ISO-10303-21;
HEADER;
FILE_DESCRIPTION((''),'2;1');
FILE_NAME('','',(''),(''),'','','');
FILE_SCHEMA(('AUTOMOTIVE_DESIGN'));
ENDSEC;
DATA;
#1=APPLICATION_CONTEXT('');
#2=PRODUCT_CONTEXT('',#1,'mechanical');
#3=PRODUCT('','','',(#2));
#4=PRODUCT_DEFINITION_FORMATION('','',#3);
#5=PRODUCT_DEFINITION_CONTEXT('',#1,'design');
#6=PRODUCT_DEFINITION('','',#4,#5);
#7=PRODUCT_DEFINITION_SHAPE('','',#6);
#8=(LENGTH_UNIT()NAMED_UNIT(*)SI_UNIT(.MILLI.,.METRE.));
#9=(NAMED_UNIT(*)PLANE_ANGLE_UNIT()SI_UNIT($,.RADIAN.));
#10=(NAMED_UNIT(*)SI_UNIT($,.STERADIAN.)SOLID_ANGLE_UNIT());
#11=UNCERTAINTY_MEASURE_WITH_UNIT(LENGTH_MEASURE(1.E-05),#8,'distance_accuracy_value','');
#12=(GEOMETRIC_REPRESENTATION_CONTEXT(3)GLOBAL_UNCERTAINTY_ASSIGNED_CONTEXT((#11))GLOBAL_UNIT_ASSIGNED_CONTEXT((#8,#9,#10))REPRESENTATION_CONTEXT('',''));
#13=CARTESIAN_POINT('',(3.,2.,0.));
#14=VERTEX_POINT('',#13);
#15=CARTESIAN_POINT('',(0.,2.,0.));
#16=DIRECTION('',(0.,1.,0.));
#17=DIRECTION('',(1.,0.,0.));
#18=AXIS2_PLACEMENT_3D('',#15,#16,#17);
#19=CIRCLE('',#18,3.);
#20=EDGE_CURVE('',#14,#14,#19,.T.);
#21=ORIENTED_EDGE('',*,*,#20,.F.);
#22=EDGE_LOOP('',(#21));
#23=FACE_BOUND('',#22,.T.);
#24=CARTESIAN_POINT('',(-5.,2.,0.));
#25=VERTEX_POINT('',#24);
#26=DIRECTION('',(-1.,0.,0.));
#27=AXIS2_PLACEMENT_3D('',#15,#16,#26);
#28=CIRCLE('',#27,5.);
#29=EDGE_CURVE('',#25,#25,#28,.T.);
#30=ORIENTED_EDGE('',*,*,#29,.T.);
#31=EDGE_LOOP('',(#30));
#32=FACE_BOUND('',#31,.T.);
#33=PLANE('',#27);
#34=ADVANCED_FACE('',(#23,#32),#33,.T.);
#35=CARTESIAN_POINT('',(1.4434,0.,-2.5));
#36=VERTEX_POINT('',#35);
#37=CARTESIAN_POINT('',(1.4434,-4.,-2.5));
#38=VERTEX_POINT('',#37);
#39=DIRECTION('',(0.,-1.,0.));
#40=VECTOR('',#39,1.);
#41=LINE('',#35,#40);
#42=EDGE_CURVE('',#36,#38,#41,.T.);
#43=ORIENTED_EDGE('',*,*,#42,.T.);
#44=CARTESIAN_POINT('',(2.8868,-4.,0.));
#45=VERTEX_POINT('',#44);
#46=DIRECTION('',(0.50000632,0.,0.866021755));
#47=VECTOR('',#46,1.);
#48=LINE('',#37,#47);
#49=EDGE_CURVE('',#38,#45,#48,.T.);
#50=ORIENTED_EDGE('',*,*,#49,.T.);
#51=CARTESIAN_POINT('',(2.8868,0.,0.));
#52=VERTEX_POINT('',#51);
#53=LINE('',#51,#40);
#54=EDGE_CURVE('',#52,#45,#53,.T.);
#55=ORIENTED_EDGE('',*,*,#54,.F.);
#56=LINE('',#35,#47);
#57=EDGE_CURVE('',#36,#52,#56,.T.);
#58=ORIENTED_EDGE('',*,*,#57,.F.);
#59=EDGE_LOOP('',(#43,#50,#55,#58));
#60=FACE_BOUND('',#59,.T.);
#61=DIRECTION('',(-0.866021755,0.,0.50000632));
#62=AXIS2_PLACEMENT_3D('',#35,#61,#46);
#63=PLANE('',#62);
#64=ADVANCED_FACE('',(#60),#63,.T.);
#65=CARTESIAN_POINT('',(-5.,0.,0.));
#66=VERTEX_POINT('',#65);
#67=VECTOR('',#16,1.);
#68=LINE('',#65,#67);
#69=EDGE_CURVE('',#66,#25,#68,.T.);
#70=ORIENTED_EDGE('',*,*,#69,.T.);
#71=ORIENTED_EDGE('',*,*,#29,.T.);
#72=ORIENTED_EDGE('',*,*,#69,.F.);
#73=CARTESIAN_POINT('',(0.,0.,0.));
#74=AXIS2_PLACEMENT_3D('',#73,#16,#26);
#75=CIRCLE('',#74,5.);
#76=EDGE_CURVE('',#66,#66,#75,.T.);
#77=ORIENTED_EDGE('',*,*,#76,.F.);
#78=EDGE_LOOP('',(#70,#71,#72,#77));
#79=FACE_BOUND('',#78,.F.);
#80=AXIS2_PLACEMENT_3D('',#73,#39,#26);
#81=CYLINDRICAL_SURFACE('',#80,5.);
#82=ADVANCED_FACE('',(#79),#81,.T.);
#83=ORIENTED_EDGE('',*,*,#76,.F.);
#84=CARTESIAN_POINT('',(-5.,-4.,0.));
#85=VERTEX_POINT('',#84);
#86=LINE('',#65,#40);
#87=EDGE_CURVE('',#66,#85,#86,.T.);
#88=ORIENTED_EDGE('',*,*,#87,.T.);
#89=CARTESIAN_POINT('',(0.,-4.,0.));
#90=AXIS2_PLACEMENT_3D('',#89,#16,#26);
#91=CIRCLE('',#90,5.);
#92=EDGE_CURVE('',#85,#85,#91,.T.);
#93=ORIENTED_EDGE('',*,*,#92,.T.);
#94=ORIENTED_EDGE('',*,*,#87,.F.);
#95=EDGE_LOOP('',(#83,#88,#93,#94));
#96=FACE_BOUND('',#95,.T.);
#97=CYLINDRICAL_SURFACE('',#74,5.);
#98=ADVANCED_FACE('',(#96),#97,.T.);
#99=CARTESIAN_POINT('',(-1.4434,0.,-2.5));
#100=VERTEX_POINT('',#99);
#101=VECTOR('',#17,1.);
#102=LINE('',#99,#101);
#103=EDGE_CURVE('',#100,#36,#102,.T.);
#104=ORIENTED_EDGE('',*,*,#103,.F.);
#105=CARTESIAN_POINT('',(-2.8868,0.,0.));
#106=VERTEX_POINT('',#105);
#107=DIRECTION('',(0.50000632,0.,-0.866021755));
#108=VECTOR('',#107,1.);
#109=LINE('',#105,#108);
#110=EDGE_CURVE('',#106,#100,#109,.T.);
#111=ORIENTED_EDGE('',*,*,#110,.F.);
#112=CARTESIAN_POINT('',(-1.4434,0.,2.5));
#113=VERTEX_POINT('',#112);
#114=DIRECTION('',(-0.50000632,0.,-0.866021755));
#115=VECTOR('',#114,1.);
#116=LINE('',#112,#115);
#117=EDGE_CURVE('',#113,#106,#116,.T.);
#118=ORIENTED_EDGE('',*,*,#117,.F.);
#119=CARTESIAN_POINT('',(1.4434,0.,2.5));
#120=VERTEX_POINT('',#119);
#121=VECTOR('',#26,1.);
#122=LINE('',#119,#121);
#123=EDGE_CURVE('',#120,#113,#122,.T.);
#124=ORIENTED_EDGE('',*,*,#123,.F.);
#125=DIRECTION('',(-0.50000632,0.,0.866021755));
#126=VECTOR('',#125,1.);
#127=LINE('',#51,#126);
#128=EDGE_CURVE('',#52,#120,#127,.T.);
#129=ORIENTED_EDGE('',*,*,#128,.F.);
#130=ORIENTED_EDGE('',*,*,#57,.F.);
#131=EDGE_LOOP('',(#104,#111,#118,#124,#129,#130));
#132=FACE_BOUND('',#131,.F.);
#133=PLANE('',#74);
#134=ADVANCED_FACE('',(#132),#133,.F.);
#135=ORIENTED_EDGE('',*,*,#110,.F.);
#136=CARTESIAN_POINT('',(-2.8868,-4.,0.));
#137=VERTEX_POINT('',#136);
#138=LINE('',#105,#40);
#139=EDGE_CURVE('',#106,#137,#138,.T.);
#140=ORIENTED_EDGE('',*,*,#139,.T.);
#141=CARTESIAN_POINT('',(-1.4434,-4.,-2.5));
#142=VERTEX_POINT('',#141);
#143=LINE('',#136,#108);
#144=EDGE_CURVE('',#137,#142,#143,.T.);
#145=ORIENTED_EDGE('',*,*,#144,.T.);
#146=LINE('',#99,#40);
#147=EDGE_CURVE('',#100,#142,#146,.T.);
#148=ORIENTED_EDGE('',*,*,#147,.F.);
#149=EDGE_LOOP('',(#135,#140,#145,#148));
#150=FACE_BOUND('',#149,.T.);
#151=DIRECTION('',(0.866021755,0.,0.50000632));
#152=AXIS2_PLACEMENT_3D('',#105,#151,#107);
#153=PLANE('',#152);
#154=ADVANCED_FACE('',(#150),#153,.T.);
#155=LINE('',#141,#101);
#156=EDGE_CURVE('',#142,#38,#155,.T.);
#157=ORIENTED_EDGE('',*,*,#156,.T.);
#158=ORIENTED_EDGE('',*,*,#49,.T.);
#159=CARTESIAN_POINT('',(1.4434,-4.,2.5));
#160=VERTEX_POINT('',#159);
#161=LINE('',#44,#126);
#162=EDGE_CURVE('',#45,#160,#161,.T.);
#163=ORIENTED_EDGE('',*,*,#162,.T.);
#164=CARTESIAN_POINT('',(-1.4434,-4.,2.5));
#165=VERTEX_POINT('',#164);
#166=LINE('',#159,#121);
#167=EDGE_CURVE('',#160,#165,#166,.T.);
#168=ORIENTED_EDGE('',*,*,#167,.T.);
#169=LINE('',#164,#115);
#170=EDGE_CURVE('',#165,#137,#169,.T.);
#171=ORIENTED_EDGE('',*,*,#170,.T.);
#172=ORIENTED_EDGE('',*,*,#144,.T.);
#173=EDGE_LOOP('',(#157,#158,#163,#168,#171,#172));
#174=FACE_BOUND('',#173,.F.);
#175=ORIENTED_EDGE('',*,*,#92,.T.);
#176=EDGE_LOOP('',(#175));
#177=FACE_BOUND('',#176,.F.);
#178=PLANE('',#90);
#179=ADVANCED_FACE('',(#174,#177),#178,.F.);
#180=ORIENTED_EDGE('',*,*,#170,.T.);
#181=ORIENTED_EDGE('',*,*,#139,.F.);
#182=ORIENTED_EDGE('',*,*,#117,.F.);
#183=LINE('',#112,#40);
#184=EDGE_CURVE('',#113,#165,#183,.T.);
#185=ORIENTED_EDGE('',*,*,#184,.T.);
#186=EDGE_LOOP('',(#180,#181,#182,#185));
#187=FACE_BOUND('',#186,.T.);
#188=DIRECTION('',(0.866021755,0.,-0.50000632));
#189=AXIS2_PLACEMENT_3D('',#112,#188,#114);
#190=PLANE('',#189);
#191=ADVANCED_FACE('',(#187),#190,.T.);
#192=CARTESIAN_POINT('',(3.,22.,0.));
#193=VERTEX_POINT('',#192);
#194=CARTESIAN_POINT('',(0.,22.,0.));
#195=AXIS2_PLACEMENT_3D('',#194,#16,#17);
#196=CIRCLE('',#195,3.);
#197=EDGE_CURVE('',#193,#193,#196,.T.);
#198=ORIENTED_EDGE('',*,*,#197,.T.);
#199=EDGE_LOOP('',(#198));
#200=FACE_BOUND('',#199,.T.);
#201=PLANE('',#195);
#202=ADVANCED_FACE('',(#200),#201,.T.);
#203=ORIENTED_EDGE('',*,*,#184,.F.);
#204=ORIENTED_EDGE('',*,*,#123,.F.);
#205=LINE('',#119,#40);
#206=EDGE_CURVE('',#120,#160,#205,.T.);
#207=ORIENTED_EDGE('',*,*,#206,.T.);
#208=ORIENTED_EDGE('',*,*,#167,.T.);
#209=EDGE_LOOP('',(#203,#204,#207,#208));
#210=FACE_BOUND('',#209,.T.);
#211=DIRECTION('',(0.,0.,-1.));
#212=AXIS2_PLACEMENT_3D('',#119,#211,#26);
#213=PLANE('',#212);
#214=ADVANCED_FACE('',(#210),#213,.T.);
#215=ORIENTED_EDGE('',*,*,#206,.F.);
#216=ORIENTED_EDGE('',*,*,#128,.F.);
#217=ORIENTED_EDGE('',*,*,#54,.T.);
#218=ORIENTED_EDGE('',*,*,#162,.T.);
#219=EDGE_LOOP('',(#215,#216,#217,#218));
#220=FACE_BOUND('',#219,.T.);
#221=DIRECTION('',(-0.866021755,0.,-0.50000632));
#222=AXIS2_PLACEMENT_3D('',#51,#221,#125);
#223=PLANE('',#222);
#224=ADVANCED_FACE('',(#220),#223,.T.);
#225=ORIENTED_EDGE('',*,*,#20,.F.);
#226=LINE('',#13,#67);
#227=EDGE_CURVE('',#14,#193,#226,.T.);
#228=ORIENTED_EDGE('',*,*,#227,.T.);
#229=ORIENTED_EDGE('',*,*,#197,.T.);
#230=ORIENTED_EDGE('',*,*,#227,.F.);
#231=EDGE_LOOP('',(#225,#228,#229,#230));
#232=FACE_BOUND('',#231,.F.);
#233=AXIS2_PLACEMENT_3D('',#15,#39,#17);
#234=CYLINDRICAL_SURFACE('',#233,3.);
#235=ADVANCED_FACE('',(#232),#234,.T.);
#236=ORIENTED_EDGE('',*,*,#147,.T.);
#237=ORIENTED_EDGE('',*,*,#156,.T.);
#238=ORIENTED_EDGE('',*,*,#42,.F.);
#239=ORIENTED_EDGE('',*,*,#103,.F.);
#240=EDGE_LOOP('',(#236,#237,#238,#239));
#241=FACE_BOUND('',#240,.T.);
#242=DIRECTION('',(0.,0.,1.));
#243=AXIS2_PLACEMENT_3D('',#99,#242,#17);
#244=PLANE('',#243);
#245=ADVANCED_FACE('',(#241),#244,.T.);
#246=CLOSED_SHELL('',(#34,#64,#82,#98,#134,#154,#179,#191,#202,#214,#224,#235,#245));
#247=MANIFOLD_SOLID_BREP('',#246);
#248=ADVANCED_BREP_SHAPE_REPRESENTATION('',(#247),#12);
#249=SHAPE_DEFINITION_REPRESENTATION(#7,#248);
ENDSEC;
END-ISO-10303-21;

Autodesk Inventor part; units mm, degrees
ref_plane "YZ Plane" through (0, 0, 0) normal (1, 0, 0) x (0, 1, 0)
ref_plane "XZ Plane" through (0, 0, 0) normal (0, 1, 0) x (-1, 0, 0)
ref_plane "XY Plane" through (0, 0, 0) normal (0, 0, 1) x (1, 0, 0)
sketch "Szkic1" plane through (0, 0, 0) normal (0, 1, 0) x (-1, 0, 0)
  circle A0 centre (0, 0) radius 5
  line L0 (1.4434, 2.5) -> (2.8868, 0)
  line L1 (2.8868, 0) -> (1.4434, -2.5)
  line L2 (1.4434, -2.5) -> (-1.4434, -2.5)
  line L3 (-1.4434, -2.5) -> (-2.8868, 0)
  line L4 (-2.8868, 0) -> (-1.4434, 2.5)
  line L5 (-1.4434, 2.5) -> (1.4434, 2.5)
  circle A1 centre (0, 0) radius 3
  dimension "d0" = 10
  dimension "d1" = 5
  dimension "d2" = 6
extrude "Wyciągnięcie proste1" add sketch "Szkic1" along normal blind 2 contours A0 | L0 L1 L2 L3 L4 L5 | A1
extrude "Wyciągnięcie proste2" add sketch "Szkic1" against normal blind 4 contours A0 | A1
sketch "Szkic2" plane through (0, 2, 0) normal (0, 1, 0) x (1, 0, 0)
  circle A0 centre (0, 0) radius 3
  dimension "d7" = 6
extrude "Wyciągnięcie proste3" add sketch "Szkic2" along normal blind 20
thread "Gwint1" size "M6x1" class "6g" standard "ANSI Metric M Profile" length 65
properties part number "M6x20"
